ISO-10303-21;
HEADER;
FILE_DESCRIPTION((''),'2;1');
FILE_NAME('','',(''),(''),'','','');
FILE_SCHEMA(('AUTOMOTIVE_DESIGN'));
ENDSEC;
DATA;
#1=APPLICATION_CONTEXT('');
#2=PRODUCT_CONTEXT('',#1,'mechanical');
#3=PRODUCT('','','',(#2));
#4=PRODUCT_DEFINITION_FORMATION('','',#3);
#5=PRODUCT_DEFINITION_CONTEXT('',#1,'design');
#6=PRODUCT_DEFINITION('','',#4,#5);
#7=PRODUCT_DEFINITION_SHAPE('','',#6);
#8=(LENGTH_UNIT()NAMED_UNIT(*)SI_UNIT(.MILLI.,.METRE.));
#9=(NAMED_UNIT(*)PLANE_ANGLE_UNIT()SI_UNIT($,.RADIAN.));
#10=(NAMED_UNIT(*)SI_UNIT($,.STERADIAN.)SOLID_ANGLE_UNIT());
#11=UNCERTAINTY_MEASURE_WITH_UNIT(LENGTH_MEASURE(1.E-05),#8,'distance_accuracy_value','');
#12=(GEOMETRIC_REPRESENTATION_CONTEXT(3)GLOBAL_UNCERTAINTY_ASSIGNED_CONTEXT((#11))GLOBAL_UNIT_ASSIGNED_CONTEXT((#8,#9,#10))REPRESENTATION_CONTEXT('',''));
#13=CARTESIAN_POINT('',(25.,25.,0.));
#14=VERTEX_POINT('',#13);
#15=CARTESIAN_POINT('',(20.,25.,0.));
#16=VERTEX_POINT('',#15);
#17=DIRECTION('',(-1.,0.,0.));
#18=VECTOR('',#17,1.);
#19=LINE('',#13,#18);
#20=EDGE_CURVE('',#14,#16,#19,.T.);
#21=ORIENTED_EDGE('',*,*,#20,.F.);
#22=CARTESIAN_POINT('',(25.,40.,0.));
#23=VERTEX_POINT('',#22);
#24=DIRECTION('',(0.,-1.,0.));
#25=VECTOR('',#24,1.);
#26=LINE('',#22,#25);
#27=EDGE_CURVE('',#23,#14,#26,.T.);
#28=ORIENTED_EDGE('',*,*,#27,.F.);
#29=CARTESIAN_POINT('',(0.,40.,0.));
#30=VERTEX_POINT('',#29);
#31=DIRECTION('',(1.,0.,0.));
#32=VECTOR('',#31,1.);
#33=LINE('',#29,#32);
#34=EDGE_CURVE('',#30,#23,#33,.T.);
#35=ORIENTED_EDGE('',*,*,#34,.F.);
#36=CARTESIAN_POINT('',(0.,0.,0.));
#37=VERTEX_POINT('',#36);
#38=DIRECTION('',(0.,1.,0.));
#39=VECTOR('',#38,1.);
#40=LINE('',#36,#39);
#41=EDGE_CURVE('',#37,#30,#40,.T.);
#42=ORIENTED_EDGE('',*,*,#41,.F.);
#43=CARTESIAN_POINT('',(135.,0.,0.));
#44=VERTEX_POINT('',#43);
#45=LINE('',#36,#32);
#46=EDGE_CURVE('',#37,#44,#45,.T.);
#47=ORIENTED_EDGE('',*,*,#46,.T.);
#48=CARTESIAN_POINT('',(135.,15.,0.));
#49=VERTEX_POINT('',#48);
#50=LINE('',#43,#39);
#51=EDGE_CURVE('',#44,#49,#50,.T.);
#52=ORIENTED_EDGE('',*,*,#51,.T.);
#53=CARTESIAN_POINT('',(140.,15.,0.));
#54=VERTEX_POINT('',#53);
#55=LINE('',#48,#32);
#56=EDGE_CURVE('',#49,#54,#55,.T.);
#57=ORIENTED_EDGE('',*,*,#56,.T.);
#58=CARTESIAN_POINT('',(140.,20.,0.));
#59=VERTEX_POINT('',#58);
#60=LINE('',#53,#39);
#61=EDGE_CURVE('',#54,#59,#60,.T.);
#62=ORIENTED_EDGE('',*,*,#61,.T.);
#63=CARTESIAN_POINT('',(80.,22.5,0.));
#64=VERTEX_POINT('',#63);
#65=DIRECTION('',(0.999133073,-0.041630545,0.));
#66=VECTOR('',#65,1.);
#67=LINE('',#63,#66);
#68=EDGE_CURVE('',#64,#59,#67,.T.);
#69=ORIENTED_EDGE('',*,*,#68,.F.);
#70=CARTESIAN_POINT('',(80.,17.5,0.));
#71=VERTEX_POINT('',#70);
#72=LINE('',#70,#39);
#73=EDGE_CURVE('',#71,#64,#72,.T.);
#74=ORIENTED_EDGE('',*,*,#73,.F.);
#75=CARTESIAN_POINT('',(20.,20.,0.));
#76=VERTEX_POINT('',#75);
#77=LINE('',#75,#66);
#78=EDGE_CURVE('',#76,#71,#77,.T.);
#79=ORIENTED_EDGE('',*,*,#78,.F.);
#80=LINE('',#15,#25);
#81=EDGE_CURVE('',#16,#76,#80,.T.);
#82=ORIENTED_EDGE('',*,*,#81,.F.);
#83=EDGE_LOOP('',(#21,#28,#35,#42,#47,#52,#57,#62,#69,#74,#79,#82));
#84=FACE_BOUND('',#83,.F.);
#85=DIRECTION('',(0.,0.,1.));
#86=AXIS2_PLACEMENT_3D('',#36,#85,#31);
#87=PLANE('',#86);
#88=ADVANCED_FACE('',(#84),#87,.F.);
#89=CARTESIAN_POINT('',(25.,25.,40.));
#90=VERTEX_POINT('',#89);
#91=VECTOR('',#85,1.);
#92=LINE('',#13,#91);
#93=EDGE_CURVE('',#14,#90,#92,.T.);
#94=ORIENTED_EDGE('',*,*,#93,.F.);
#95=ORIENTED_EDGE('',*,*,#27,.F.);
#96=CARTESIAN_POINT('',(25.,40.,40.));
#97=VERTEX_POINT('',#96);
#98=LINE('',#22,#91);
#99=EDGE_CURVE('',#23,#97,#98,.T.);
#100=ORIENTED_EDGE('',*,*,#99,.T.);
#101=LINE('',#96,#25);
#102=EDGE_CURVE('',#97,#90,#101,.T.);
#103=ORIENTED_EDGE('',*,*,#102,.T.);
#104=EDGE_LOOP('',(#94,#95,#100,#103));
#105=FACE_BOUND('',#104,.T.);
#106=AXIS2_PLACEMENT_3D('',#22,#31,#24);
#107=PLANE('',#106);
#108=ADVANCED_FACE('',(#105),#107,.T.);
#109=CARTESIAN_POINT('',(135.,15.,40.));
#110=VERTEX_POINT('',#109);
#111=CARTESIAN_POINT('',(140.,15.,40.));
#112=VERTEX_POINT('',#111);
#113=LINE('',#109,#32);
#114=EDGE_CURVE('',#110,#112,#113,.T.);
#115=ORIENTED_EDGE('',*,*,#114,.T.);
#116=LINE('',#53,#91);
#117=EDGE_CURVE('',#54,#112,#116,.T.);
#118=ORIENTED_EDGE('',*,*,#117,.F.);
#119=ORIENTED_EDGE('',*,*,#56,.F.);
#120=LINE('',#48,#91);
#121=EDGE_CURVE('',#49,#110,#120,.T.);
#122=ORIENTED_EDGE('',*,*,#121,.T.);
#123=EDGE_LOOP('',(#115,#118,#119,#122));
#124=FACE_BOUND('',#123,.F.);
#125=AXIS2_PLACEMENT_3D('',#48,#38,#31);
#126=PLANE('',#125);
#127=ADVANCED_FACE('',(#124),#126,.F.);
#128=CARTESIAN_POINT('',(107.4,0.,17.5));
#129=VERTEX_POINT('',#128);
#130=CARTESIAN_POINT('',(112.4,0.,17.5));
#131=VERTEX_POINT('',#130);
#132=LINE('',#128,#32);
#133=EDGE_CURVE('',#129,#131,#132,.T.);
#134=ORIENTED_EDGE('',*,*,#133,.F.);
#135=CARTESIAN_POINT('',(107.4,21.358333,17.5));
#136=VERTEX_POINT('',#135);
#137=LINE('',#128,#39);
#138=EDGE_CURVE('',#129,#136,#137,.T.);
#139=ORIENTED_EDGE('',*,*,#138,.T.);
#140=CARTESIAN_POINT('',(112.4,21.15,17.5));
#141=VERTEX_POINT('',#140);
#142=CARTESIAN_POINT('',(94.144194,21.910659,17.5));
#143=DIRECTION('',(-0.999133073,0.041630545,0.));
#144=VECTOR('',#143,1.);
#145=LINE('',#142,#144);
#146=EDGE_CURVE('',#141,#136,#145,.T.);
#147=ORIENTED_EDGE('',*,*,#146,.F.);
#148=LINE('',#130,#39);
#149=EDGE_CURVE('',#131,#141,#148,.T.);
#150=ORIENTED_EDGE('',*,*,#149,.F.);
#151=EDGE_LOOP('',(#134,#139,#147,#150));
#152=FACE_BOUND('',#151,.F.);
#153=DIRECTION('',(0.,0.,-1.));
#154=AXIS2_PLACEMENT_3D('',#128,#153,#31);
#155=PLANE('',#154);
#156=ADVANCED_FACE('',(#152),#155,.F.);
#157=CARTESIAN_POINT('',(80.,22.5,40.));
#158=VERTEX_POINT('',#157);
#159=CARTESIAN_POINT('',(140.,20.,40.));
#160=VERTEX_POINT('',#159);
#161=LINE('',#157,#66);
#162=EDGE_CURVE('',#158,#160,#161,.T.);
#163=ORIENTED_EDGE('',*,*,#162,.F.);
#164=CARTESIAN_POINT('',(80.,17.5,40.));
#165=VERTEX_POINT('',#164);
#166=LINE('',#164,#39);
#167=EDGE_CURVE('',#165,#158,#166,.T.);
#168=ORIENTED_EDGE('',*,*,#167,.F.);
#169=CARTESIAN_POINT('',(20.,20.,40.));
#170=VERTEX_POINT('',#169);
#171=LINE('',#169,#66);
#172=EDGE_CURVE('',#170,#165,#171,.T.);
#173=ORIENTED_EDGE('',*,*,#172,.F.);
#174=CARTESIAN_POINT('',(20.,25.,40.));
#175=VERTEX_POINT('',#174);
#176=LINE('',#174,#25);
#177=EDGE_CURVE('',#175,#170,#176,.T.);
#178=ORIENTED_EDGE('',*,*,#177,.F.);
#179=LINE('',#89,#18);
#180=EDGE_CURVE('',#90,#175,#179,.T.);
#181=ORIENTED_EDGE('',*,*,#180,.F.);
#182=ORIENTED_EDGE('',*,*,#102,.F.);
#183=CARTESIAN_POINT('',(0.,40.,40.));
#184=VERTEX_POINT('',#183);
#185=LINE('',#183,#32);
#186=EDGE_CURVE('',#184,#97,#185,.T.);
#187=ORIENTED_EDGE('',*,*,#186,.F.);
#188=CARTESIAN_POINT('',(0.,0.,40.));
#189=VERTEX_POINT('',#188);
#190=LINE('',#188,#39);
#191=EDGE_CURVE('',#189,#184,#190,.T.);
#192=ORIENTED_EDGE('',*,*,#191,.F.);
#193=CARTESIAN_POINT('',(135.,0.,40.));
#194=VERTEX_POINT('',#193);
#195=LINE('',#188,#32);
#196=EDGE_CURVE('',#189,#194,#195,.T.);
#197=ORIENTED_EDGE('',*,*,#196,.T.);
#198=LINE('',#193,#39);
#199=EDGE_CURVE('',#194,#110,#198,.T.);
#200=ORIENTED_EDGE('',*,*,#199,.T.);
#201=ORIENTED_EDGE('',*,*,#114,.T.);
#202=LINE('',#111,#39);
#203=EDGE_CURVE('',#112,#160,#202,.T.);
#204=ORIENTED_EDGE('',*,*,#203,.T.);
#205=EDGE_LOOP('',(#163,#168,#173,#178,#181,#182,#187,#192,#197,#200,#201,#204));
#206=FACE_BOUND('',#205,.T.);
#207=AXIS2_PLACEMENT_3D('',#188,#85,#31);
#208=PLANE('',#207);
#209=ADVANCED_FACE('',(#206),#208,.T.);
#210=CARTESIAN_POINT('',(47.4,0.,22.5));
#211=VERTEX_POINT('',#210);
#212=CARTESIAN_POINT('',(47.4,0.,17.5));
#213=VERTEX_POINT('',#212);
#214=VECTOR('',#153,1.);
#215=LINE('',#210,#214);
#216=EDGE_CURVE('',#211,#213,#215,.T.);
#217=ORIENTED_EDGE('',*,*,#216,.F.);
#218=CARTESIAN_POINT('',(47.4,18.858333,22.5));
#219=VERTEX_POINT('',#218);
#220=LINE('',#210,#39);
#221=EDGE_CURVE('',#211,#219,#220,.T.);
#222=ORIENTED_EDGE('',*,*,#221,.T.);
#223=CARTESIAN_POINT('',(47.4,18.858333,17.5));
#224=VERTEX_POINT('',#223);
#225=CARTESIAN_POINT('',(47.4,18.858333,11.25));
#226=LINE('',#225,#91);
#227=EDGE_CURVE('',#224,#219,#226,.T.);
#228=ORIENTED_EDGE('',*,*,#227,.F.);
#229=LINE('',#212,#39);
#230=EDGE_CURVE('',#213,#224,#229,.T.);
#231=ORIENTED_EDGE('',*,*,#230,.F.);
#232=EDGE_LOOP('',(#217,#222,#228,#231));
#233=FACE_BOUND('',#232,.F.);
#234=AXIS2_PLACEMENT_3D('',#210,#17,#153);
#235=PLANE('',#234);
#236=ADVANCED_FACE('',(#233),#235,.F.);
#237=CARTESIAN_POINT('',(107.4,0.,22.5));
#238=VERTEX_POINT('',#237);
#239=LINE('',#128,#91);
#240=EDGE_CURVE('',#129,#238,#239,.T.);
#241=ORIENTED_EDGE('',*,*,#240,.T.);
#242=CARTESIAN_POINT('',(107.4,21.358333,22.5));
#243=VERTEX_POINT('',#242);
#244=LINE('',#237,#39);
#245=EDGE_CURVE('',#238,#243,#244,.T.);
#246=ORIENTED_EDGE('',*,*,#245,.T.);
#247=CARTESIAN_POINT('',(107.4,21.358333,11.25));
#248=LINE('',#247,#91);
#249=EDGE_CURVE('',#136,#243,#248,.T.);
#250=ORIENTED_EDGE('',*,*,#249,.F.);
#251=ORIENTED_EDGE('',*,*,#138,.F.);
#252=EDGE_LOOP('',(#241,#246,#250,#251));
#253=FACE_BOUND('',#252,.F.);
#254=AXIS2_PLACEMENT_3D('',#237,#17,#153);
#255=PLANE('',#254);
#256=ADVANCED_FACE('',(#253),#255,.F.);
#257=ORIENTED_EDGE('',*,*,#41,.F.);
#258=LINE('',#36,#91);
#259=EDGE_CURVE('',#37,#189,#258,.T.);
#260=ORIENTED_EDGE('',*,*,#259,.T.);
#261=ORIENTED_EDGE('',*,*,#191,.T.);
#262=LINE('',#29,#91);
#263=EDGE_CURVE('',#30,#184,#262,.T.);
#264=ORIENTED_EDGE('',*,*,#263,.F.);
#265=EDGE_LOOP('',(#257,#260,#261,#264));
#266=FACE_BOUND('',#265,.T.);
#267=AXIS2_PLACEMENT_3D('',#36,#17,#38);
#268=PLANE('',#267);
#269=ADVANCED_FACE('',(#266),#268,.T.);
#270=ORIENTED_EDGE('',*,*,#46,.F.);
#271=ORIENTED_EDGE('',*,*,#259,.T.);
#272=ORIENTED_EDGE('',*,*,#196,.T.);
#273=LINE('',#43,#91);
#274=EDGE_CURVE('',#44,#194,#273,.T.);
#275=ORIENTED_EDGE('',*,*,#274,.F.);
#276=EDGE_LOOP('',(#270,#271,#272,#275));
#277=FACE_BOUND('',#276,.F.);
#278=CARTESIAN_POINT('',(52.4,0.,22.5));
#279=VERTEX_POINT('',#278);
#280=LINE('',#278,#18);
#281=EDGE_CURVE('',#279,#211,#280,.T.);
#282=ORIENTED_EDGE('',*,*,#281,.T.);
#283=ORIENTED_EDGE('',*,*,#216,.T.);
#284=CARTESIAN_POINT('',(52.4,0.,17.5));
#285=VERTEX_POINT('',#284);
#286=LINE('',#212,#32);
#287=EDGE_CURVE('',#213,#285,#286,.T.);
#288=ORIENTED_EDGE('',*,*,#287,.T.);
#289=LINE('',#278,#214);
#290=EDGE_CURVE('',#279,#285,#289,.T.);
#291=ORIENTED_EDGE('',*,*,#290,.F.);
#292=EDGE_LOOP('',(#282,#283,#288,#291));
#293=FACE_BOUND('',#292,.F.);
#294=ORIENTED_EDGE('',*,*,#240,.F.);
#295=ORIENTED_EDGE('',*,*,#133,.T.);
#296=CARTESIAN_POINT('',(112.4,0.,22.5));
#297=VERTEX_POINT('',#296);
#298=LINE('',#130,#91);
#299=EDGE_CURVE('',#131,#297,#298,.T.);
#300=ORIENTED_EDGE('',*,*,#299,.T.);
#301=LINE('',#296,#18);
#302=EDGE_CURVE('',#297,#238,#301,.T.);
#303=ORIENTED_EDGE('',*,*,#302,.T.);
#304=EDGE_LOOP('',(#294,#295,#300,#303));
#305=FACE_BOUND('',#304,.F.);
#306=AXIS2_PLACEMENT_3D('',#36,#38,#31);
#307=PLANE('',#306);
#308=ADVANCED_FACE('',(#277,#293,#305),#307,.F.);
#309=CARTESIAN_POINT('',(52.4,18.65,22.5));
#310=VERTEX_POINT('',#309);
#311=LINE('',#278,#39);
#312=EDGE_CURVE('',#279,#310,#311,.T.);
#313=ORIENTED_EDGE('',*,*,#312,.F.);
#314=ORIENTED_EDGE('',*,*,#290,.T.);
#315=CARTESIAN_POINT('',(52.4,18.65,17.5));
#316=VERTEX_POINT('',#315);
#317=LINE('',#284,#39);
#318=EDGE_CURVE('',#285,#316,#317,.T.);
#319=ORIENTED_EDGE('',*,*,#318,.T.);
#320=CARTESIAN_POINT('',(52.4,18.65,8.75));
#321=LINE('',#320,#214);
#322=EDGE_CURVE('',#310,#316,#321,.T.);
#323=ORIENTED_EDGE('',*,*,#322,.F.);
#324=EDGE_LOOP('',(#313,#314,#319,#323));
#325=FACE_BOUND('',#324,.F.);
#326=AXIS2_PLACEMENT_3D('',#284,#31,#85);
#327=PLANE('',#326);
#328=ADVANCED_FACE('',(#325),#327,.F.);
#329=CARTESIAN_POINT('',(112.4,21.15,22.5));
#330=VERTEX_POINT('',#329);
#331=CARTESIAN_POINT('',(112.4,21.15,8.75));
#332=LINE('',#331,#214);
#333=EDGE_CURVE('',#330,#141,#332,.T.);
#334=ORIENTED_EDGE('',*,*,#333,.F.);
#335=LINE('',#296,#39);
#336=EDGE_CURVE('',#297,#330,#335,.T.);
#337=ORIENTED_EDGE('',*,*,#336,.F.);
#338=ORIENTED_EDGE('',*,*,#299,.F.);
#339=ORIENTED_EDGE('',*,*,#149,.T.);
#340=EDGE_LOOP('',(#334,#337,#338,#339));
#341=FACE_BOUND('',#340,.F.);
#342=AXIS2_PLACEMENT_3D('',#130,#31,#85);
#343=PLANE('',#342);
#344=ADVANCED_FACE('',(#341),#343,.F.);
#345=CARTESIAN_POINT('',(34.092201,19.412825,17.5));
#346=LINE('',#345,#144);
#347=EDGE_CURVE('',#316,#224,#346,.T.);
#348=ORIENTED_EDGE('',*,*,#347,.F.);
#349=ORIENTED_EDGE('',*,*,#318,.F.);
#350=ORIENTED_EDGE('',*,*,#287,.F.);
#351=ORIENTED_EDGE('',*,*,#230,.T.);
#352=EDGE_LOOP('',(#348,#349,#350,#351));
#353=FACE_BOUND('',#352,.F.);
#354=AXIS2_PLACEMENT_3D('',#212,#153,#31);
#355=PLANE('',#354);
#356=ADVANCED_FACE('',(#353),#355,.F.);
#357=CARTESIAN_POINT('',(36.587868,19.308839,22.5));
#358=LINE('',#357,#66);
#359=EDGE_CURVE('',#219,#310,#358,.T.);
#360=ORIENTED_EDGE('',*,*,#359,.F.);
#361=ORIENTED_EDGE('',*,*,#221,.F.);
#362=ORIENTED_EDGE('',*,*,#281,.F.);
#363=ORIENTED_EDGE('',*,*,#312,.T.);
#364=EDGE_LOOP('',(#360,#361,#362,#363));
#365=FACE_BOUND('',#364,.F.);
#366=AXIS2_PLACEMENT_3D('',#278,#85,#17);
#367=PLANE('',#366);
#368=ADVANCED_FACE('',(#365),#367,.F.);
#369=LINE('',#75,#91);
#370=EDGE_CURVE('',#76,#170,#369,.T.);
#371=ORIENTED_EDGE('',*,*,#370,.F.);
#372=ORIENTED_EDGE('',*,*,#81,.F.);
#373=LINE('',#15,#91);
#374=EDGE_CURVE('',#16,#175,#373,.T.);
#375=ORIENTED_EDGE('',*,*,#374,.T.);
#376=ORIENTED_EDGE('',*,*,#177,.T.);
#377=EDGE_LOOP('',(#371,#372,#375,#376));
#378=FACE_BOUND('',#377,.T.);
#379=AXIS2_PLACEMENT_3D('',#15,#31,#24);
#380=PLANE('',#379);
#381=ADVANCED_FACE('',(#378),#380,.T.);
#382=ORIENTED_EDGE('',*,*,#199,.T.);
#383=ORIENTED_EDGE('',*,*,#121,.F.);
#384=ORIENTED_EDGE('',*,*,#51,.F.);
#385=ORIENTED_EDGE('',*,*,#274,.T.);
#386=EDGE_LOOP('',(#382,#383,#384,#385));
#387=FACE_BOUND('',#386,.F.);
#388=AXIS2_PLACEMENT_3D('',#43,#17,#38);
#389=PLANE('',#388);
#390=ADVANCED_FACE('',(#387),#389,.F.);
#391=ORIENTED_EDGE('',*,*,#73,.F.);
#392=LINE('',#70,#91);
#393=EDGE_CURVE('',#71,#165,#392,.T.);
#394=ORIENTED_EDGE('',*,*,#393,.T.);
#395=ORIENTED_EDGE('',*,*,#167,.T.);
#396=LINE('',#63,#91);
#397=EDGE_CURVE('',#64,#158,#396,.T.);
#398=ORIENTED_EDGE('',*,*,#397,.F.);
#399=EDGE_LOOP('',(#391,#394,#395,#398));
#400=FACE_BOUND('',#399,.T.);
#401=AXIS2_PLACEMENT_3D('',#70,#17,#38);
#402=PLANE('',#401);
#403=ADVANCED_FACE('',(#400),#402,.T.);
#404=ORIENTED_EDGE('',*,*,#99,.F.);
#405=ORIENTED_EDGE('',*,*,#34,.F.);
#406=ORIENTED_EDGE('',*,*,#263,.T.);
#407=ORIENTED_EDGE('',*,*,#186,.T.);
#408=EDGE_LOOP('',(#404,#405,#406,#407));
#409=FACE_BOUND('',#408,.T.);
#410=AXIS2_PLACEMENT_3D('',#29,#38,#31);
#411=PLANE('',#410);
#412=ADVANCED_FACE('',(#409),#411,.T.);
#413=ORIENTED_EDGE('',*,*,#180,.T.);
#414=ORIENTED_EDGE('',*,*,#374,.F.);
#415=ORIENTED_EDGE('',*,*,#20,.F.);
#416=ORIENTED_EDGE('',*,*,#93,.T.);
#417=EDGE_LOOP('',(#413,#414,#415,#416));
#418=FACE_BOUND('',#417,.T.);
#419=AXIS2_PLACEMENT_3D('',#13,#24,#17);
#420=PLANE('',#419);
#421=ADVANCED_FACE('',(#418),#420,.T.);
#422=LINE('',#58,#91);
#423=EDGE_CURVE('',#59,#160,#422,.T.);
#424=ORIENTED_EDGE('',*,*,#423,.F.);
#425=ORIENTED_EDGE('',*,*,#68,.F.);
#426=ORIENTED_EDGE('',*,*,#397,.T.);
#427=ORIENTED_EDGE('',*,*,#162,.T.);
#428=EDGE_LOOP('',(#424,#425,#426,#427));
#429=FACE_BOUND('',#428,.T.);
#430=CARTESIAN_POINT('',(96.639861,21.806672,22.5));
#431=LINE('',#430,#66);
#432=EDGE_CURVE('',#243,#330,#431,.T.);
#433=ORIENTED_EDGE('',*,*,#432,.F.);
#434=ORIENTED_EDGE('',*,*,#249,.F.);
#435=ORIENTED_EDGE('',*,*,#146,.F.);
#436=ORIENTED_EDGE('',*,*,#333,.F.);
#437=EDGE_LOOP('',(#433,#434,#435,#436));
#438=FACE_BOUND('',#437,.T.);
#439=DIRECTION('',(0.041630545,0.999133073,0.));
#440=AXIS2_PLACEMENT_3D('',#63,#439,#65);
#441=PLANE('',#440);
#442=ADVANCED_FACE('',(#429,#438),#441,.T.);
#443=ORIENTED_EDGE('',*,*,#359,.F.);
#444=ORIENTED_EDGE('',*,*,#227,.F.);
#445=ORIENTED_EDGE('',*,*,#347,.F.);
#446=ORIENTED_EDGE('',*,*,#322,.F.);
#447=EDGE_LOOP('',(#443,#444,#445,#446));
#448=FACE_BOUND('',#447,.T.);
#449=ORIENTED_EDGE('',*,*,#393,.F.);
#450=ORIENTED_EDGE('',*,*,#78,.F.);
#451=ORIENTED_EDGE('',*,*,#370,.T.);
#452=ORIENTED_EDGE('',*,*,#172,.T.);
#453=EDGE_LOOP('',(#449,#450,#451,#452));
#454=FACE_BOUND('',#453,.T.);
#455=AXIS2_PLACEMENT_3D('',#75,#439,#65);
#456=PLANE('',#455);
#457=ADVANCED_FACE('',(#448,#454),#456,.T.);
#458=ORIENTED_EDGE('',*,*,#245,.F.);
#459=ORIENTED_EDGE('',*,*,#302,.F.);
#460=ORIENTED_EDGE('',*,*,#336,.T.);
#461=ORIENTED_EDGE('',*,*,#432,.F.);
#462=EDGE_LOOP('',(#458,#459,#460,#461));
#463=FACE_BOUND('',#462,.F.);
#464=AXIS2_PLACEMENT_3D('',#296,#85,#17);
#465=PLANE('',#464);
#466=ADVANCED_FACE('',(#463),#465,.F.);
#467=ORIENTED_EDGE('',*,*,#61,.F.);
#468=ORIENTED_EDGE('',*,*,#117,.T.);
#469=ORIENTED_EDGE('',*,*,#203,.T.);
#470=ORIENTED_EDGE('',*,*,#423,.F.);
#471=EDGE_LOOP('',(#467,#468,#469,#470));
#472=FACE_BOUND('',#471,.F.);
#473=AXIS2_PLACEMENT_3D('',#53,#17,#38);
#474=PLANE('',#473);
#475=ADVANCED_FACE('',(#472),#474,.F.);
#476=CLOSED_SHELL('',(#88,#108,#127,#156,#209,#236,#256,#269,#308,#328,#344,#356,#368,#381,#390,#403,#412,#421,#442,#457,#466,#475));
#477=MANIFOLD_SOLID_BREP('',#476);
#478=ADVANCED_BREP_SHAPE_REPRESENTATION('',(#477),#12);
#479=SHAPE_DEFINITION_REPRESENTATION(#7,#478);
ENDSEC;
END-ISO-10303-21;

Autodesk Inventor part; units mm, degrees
ref_plane "YZ Plane" through (0, 0, 0) normal (1, 0, 0) x (0, 1, 0)
ref_plane "XZ Plane" through (0, 0, 0) normal (0, 1, 0) x (-1, 0, 0)
ref_plane "XY Plane" through (0, 0, 0) normal (0, 0, 1) x (1, 0, 0)
sketch "Boceto1" plane through (0, 0, 0) normal (0, 0, 1) x (1, 0, 0)
  line L0 (0, 0) -> (135, 0)
  line L1 (0, 0) -> (0, 40)
  line L2 (0, 40) -> (25, 40)
  line L3 (25, 40) -> (25, 25)
  line L4 (25, 25) -> (20, 25)
  line L5 (20, 25) -> (20, 20)
  line L6 (20, 20) -> (140, 20) construction
  line L7 (135, 0) -> (135, 15) construction
  line L8 (135, 0) -> (135, 15)
  line L9 (135, 15) -> (140, 15)
  line L10 (140, 15) -> (140, 20)
  line L11 (20, 20) -> (80, 20) construction
  line L12 (80, 20) -> (80, 22.5) construction
  line L13 (80, 22.5) -> (80, 17.5) construction
  line L14 (20, 20) -> (80, 17.5)
  line L15 (80, 17.5) -> (80, 22.5)
  line L16 (80, 22.5) -> (140, 20)
  dimension "d0" = 135
  dimension "d1" = 40
  dimension "d2" = 25
  dimension "d3" = 15
  dimension "d4" = 5
  dimension "d5" = 5
  dimension "d6" = 120
  dimension "d7" = 15
  dimension "d9" = 5
  dimension "d10" = 60
  dimension "d11" = 2.5
  dimension "d12" = 5
extrude "Extrusión1" add sketch "Boceto1" along normal blind 40
sketch "Boceto2" plane through (0, 0, 0) normal (0, -1, 0) x (1, 0, 0)
  line L0 (0, 0) -> (79.9, 0)
  line L1 (25, 0) -> (0, 0) projected
  line L2 (79.9, 0) -> (79.9, 20)
  line L3 (0, 0) -> (135, 0) projected
  line L4 (79.9, 0) -> (99.9, 0) construction
  line L5 (79.9, 20) -> (49.9, 20)
  line L6 (80, 0) -> (80, 40) projected
  line L7 (79.9, 20) -> (109.9, 20) construction
  line L8 (79.9, 20) -> (109.9, 20)
  line L9 (79.9, 20) -> (109.9, 20) construction
  line L10 (47.4, 17.5) -> (52.4, 17.5)
  line L11 (52.4, 17.5) -> (52.4, 22.5)
  line L12 (52.4, 22.5) -> (47.4, 22.5)
  line L13 (47.4, 22.5) -> (47.4, 17.5)
  line L14 (47.4, 17.5) -> (52.4, 22.5) construction
  line L15 (52.4, 17.5) -> (47.4, 22.5) construction
  line L16 (107.4, 17.5) -> (112.4, 17.5)
  line L17 (112.4, 17.5) -> (112.4, 22.5)
  line L18 (112.4, 22.5) -> (107.4, 22.5)
  line L19 (107.4, 22.5) -> (107.4, 17.5)
  line L20 (107.4, 17.5) -> (112.4, 22.5) construction
  line L21 (112.4, 17.5) -> (107.4, 22.5) construction
  dimension "d15" = 79.9
  dimension "d16" = 20
  dimension "d17" = 90
  dimension "d18" = 30
  dimension "d19" = 180
  dimension "d20" = 30
  dimension "d21" = 0
  dimension "d22" = 5
  dimension "d23" = 5
  dimension "d24" = 5
  dimension "d25" = 5
extrude "Extrusión2" cut sketch "Boceto2" against normal blind 40 contours L11 L10 L13 L12 | L19 L18 L17 L16
equation "\"d3\" = Largo_rebaje - Correccion_rebaje"
equation "\"d4\" = Espesor_corte"
equation "\"d5\" = Espesor_corte"
equation "\"d9\" = Espesor_corte"
equation "\"d11\" = Espesor_detalle"
equation "\"d12\" = Espesor_corte"
equation "\"d15\" = Largo_segundo_boceto"
equation "\"d22\" = Espesor_corte"
equation "\"d23\" = Espesor_corte"
equation "\"d24\" = Espesor_corte"
equation "\"d25\" = Espesor_corte"
equation "\"Largo_rebaje\" = 20"
equation "\"Correccion_rebaje\" = 5"
equation "\"Espesor_corte\" = 5"
equation "\"Espesor_detalle\" = 2.5"
equation "\"Largo_segundo_boceto\" = 79.9"
properties part number "Hembra_parametrizada"
